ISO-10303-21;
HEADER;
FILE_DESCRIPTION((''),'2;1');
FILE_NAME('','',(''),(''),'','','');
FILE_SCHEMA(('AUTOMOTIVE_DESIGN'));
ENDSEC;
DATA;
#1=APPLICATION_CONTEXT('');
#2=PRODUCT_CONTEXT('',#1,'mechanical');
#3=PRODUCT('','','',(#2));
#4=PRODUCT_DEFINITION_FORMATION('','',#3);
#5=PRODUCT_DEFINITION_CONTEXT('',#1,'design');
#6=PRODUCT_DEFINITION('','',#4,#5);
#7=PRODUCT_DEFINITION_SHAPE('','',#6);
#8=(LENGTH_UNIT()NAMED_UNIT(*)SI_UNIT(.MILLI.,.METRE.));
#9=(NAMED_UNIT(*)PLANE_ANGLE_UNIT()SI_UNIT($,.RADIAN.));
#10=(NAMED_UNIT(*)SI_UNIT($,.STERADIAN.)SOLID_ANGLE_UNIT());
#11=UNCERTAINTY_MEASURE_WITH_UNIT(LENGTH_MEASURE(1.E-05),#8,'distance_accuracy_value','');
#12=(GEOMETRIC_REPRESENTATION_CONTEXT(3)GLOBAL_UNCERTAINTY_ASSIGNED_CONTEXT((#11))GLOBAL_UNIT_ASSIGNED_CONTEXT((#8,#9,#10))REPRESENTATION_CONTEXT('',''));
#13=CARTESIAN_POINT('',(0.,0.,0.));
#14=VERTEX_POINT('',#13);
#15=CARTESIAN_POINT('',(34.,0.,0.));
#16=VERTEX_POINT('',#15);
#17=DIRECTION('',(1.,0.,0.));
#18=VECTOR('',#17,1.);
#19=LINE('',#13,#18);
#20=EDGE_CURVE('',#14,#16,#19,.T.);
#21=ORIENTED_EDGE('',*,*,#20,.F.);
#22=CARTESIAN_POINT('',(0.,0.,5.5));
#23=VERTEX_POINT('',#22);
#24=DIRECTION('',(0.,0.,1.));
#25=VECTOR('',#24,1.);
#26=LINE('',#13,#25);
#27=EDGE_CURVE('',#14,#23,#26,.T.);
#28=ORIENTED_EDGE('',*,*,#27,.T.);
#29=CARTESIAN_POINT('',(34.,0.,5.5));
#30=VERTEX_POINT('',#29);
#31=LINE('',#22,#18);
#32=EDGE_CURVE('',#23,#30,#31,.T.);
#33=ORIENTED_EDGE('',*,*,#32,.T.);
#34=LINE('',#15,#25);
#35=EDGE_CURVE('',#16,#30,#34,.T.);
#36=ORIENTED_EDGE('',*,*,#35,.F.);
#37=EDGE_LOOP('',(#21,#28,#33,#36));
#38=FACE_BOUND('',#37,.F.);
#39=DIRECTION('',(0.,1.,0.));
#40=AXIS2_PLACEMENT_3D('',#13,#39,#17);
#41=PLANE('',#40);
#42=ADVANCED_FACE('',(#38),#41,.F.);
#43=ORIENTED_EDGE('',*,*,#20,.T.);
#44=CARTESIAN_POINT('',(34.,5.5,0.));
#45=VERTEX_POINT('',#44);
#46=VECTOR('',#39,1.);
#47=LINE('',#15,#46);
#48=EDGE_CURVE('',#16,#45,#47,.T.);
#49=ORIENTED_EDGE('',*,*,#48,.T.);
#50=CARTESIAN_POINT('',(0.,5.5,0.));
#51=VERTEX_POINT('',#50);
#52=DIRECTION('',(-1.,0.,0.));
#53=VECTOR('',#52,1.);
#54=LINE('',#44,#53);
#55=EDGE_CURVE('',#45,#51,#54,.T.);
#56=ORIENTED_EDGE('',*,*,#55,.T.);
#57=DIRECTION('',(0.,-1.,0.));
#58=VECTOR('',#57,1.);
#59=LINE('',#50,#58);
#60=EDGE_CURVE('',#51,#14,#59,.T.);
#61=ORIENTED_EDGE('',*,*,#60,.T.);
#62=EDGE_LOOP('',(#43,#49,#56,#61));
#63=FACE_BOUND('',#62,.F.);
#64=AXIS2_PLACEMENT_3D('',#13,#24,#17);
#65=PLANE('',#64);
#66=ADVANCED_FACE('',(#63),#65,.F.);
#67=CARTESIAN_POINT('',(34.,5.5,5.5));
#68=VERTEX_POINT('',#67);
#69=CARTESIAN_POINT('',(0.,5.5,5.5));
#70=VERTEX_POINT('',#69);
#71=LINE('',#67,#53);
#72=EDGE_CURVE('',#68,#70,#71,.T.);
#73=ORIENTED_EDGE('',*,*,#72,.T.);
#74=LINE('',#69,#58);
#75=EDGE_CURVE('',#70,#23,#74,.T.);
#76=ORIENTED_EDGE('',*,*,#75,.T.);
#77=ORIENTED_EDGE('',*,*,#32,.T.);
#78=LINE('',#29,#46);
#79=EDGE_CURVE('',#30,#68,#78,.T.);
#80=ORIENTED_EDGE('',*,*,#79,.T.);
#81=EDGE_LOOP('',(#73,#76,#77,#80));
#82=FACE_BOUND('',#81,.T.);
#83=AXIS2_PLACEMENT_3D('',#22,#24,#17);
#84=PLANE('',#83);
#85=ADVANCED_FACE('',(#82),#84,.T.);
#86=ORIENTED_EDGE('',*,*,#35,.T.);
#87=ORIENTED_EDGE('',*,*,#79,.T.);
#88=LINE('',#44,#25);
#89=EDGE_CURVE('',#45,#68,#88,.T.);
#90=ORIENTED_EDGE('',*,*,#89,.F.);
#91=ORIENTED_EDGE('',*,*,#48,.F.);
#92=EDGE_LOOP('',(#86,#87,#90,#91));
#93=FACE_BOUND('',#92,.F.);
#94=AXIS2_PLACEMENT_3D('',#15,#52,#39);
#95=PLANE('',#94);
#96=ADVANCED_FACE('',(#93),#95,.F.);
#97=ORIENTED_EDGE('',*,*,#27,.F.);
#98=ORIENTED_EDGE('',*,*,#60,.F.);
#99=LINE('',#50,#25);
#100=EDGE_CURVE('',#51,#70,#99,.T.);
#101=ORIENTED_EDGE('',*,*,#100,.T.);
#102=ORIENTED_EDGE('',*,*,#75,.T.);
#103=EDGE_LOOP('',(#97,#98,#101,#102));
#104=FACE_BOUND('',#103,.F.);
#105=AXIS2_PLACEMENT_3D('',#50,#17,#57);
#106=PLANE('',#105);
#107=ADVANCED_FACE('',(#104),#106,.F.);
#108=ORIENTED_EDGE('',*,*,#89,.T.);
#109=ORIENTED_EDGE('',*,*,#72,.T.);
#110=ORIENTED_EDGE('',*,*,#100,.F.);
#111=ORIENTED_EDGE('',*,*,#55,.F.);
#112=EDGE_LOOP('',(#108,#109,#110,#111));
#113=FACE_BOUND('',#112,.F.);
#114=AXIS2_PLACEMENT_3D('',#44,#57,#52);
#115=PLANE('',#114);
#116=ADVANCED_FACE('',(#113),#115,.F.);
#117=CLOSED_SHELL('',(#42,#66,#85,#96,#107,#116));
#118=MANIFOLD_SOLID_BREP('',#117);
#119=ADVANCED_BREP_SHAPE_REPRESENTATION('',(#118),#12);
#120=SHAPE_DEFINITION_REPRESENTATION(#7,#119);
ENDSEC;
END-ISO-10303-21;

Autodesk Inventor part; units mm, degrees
ref_plane "YZ Plane" through (0, 0, 0) normal (1, 0, 0) x (0, 1, 0)
ref_plane "XZ Plane" through (0, 0, 0) normal (0, 1, 0) x (-1, 0, 0)
ref_plane "XY Plane" through (0, 0, 0) normal (0, 0, 1) x (1, 0, 0)
sketch "Sketch1" plane through (0, 0, 0) normal (0, 0, 1) x (1, 0, 0)
  line L0 (0, 0) -> (34, 0)
  line L1 (34, 0) -> (34, 5.5)
  line L2 (34, 5.5) -> (0, 5.5)
  line L3 (0, 5.5) -> (0, 0)
  dimension "d0" = 34
  dimension "d1" = 5.5
extrude "Extrusion1" add sketch "Sketch1" along normal blind 5.5
properties part number "union"
